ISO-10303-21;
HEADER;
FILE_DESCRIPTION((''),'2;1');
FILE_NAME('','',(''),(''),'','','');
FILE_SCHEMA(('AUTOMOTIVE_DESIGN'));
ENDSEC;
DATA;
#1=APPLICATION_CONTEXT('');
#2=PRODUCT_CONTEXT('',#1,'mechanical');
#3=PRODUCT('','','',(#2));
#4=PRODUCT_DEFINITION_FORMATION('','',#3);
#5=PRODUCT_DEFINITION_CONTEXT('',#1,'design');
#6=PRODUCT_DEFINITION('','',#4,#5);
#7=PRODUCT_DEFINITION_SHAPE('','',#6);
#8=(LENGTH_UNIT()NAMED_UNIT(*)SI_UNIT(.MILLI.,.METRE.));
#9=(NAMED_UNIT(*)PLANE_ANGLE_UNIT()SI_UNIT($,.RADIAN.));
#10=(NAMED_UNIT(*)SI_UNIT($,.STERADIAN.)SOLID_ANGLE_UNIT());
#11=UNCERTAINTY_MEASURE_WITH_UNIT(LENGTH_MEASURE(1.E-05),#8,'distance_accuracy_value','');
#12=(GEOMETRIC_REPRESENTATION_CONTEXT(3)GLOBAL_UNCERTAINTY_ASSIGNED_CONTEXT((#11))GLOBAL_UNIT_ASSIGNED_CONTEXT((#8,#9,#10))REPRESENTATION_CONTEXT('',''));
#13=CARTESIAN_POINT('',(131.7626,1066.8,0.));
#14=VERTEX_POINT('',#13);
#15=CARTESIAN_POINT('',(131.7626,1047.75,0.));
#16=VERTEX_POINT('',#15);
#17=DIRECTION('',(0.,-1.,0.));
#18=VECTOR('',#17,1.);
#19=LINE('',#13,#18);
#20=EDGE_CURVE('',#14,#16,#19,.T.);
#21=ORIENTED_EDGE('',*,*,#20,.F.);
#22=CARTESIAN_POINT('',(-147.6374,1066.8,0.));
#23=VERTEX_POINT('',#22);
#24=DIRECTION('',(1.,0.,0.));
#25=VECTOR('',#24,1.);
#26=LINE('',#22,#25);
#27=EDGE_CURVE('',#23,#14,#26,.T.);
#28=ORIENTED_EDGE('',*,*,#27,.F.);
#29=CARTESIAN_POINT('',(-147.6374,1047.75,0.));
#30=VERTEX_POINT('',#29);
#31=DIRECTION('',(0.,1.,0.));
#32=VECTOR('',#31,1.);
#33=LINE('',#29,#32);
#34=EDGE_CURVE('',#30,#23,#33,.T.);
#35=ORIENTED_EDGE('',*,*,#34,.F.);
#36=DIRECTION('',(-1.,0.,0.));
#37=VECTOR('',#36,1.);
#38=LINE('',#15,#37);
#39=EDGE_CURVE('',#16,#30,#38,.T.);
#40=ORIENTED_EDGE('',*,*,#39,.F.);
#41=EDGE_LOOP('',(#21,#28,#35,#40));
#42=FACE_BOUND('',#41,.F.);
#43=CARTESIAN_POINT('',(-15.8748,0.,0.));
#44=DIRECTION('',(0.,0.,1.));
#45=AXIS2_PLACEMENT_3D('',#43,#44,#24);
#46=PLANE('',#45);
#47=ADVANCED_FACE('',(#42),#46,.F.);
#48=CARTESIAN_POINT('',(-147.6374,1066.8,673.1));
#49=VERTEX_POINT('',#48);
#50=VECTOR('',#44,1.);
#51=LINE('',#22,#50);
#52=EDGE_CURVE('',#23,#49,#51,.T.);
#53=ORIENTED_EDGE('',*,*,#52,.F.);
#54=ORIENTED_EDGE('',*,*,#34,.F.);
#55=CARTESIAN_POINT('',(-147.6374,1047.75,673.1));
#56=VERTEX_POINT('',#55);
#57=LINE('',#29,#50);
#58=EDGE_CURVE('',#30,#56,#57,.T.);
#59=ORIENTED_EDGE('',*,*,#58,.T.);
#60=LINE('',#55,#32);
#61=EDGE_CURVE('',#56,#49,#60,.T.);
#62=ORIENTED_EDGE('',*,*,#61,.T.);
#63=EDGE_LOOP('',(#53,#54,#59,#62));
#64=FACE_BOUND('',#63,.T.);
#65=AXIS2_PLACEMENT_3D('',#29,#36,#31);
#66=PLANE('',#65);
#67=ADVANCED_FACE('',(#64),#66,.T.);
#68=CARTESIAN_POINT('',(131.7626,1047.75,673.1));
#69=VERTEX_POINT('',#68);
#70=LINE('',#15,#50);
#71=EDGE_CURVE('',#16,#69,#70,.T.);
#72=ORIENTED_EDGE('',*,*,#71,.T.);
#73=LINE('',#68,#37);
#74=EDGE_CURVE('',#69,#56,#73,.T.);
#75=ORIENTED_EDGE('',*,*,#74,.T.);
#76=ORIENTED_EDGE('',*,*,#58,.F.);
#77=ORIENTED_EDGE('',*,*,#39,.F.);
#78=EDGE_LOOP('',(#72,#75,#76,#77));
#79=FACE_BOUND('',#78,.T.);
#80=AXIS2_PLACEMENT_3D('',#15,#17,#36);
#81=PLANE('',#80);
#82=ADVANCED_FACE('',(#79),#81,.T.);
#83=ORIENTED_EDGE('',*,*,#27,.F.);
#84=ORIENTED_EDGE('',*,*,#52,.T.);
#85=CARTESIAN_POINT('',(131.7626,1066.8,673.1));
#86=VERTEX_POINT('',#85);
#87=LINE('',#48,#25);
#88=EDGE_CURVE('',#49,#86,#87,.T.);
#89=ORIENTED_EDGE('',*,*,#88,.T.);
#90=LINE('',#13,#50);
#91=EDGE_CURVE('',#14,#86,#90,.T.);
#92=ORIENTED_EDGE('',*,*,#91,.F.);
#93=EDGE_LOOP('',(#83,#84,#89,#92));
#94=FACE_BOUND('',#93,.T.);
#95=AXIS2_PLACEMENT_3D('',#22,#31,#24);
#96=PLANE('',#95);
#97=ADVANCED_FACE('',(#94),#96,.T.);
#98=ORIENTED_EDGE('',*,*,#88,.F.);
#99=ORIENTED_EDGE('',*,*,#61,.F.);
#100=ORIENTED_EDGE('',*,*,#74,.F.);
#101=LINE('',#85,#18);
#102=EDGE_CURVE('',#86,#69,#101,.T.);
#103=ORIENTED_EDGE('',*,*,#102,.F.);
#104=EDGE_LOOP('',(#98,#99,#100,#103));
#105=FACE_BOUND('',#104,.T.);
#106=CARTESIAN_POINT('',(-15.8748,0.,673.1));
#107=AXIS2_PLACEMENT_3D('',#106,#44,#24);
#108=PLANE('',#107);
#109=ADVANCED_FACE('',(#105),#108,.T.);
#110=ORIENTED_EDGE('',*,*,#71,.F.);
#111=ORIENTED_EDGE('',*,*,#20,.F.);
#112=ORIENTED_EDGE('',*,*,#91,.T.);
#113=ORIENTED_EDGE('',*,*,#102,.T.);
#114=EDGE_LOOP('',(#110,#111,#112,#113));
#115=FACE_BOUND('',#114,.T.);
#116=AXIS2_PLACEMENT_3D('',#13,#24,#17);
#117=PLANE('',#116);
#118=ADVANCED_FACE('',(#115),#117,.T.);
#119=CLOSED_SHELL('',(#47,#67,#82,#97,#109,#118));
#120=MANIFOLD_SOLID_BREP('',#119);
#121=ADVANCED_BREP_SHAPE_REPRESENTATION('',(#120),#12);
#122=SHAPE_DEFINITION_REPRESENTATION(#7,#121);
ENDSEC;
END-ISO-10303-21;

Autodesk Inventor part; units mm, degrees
ref_plane "Work Plane1" through (-15.8748, 0, 0) normal (0, 0, 1) x (1, 0, 0)
sketch "Sketch1" plane through (-15.8748, 0, 0) normal (0, 0, 1) x (1, 0, 0)
  line L0 (147.6374, 1066.8) -> (147.6374, 1047.75)
  line L1 (147.6374, 1047.75) -> (-131.7626, 1047.75)
  line L2 (-131.7626, 1047.75) -> (-131.7626, 1066.8)
  line L3 (-131.7626, 1066.8) -> (147.6374, 1066.8)
  point P0 (15.8748, 0)
  point P1 (147.6374, 1057.275)
  point P2 (-131.7626, 1057.275)
  dimension "d0" = 19.05
  dimension "d3" = 279.4
ref_plane "Work Plane2" through (-139.7, -1066.8, 927.1) normal (0, 0, -1) x (0, 1, 0)
ref_plane "Work Plane3" through (-147.6374, -1066.8, 933.45) normal (0, 0, -1) x (0, 1, 0)
ref_plane "Work Plane4" through (-147.6374, -1066.8, 939.8) normal (0, 0, -1) x (0, 1, 0)
ref_plane "Work Plane5" through (-147.6374, 159.15, 673.1) normal (0, 0, -1) x (0, 1, 0)
extrude "Extrusion1" add sketch "Sketch1" along normal up to surface (673.1 mm away)
properties part number "SH2.1" material "Wood (Birch)"
